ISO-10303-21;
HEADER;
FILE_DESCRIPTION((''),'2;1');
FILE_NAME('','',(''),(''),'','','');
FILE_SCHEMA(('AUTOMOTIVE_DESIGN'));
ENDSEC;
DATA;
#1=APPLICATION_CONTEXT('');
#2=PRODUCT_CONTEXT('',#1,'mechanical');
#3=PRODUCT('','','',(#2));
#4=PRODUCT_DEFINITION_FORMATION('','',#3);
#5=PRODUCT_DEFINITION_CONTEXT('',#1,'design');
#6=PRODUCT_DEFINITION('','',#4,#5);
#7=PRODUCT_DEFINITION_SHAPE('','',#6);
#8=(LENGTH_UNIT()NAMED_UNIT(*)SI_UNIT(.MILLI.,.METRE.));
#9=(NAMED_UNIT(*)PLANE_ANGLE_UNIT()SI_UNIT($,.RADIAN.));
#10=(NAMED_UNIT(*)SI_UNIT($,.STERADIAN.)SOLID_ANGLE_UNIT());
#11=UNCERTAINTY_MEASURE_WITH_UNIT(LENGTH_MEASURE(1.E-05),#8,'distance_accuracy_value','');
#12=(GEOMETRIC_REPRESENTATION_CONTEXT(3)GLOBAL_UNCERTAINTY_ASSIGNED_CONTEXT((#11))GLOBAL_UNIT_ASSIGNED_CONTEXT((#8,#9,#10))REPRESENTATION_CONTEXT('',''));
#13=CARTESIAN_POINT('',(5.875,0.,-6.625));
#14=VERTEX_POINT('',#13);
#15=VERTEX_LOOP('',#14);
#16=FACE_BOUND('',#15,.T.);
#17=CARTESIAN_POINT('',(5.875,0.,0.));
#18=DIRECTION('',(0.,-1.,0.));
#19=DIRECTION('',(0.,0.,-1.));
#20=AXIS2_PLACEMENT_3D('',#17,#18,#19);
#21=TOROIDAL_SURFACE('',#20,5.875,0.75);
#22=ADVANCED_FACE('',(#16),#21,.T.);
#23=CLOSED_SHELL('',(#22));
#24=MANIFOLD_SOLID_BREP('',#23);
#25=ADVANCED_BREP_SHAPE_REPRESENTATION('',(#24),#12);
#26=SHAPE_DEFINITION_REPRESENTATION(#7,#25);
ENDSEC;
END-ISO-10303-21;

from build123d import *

# Parameters (mm, degrees)
SKETCH5_R = 0.75


with BuildPart() as part:
    # Sketch5 → Revolve1 (revolve)
    with BuildSketch(Plane.XY, mode=Mode.PRIVATE) as revolve1_sk:
        Circle(SKETCH5_R)
    revolve(revolve1_sk.sketch.rotate(Axis((5.875, 0, 0), (0, 1, 0)), 270), axis=Axis((5.875, 0, 0), (0, 1, 0)))


solid = part.part
